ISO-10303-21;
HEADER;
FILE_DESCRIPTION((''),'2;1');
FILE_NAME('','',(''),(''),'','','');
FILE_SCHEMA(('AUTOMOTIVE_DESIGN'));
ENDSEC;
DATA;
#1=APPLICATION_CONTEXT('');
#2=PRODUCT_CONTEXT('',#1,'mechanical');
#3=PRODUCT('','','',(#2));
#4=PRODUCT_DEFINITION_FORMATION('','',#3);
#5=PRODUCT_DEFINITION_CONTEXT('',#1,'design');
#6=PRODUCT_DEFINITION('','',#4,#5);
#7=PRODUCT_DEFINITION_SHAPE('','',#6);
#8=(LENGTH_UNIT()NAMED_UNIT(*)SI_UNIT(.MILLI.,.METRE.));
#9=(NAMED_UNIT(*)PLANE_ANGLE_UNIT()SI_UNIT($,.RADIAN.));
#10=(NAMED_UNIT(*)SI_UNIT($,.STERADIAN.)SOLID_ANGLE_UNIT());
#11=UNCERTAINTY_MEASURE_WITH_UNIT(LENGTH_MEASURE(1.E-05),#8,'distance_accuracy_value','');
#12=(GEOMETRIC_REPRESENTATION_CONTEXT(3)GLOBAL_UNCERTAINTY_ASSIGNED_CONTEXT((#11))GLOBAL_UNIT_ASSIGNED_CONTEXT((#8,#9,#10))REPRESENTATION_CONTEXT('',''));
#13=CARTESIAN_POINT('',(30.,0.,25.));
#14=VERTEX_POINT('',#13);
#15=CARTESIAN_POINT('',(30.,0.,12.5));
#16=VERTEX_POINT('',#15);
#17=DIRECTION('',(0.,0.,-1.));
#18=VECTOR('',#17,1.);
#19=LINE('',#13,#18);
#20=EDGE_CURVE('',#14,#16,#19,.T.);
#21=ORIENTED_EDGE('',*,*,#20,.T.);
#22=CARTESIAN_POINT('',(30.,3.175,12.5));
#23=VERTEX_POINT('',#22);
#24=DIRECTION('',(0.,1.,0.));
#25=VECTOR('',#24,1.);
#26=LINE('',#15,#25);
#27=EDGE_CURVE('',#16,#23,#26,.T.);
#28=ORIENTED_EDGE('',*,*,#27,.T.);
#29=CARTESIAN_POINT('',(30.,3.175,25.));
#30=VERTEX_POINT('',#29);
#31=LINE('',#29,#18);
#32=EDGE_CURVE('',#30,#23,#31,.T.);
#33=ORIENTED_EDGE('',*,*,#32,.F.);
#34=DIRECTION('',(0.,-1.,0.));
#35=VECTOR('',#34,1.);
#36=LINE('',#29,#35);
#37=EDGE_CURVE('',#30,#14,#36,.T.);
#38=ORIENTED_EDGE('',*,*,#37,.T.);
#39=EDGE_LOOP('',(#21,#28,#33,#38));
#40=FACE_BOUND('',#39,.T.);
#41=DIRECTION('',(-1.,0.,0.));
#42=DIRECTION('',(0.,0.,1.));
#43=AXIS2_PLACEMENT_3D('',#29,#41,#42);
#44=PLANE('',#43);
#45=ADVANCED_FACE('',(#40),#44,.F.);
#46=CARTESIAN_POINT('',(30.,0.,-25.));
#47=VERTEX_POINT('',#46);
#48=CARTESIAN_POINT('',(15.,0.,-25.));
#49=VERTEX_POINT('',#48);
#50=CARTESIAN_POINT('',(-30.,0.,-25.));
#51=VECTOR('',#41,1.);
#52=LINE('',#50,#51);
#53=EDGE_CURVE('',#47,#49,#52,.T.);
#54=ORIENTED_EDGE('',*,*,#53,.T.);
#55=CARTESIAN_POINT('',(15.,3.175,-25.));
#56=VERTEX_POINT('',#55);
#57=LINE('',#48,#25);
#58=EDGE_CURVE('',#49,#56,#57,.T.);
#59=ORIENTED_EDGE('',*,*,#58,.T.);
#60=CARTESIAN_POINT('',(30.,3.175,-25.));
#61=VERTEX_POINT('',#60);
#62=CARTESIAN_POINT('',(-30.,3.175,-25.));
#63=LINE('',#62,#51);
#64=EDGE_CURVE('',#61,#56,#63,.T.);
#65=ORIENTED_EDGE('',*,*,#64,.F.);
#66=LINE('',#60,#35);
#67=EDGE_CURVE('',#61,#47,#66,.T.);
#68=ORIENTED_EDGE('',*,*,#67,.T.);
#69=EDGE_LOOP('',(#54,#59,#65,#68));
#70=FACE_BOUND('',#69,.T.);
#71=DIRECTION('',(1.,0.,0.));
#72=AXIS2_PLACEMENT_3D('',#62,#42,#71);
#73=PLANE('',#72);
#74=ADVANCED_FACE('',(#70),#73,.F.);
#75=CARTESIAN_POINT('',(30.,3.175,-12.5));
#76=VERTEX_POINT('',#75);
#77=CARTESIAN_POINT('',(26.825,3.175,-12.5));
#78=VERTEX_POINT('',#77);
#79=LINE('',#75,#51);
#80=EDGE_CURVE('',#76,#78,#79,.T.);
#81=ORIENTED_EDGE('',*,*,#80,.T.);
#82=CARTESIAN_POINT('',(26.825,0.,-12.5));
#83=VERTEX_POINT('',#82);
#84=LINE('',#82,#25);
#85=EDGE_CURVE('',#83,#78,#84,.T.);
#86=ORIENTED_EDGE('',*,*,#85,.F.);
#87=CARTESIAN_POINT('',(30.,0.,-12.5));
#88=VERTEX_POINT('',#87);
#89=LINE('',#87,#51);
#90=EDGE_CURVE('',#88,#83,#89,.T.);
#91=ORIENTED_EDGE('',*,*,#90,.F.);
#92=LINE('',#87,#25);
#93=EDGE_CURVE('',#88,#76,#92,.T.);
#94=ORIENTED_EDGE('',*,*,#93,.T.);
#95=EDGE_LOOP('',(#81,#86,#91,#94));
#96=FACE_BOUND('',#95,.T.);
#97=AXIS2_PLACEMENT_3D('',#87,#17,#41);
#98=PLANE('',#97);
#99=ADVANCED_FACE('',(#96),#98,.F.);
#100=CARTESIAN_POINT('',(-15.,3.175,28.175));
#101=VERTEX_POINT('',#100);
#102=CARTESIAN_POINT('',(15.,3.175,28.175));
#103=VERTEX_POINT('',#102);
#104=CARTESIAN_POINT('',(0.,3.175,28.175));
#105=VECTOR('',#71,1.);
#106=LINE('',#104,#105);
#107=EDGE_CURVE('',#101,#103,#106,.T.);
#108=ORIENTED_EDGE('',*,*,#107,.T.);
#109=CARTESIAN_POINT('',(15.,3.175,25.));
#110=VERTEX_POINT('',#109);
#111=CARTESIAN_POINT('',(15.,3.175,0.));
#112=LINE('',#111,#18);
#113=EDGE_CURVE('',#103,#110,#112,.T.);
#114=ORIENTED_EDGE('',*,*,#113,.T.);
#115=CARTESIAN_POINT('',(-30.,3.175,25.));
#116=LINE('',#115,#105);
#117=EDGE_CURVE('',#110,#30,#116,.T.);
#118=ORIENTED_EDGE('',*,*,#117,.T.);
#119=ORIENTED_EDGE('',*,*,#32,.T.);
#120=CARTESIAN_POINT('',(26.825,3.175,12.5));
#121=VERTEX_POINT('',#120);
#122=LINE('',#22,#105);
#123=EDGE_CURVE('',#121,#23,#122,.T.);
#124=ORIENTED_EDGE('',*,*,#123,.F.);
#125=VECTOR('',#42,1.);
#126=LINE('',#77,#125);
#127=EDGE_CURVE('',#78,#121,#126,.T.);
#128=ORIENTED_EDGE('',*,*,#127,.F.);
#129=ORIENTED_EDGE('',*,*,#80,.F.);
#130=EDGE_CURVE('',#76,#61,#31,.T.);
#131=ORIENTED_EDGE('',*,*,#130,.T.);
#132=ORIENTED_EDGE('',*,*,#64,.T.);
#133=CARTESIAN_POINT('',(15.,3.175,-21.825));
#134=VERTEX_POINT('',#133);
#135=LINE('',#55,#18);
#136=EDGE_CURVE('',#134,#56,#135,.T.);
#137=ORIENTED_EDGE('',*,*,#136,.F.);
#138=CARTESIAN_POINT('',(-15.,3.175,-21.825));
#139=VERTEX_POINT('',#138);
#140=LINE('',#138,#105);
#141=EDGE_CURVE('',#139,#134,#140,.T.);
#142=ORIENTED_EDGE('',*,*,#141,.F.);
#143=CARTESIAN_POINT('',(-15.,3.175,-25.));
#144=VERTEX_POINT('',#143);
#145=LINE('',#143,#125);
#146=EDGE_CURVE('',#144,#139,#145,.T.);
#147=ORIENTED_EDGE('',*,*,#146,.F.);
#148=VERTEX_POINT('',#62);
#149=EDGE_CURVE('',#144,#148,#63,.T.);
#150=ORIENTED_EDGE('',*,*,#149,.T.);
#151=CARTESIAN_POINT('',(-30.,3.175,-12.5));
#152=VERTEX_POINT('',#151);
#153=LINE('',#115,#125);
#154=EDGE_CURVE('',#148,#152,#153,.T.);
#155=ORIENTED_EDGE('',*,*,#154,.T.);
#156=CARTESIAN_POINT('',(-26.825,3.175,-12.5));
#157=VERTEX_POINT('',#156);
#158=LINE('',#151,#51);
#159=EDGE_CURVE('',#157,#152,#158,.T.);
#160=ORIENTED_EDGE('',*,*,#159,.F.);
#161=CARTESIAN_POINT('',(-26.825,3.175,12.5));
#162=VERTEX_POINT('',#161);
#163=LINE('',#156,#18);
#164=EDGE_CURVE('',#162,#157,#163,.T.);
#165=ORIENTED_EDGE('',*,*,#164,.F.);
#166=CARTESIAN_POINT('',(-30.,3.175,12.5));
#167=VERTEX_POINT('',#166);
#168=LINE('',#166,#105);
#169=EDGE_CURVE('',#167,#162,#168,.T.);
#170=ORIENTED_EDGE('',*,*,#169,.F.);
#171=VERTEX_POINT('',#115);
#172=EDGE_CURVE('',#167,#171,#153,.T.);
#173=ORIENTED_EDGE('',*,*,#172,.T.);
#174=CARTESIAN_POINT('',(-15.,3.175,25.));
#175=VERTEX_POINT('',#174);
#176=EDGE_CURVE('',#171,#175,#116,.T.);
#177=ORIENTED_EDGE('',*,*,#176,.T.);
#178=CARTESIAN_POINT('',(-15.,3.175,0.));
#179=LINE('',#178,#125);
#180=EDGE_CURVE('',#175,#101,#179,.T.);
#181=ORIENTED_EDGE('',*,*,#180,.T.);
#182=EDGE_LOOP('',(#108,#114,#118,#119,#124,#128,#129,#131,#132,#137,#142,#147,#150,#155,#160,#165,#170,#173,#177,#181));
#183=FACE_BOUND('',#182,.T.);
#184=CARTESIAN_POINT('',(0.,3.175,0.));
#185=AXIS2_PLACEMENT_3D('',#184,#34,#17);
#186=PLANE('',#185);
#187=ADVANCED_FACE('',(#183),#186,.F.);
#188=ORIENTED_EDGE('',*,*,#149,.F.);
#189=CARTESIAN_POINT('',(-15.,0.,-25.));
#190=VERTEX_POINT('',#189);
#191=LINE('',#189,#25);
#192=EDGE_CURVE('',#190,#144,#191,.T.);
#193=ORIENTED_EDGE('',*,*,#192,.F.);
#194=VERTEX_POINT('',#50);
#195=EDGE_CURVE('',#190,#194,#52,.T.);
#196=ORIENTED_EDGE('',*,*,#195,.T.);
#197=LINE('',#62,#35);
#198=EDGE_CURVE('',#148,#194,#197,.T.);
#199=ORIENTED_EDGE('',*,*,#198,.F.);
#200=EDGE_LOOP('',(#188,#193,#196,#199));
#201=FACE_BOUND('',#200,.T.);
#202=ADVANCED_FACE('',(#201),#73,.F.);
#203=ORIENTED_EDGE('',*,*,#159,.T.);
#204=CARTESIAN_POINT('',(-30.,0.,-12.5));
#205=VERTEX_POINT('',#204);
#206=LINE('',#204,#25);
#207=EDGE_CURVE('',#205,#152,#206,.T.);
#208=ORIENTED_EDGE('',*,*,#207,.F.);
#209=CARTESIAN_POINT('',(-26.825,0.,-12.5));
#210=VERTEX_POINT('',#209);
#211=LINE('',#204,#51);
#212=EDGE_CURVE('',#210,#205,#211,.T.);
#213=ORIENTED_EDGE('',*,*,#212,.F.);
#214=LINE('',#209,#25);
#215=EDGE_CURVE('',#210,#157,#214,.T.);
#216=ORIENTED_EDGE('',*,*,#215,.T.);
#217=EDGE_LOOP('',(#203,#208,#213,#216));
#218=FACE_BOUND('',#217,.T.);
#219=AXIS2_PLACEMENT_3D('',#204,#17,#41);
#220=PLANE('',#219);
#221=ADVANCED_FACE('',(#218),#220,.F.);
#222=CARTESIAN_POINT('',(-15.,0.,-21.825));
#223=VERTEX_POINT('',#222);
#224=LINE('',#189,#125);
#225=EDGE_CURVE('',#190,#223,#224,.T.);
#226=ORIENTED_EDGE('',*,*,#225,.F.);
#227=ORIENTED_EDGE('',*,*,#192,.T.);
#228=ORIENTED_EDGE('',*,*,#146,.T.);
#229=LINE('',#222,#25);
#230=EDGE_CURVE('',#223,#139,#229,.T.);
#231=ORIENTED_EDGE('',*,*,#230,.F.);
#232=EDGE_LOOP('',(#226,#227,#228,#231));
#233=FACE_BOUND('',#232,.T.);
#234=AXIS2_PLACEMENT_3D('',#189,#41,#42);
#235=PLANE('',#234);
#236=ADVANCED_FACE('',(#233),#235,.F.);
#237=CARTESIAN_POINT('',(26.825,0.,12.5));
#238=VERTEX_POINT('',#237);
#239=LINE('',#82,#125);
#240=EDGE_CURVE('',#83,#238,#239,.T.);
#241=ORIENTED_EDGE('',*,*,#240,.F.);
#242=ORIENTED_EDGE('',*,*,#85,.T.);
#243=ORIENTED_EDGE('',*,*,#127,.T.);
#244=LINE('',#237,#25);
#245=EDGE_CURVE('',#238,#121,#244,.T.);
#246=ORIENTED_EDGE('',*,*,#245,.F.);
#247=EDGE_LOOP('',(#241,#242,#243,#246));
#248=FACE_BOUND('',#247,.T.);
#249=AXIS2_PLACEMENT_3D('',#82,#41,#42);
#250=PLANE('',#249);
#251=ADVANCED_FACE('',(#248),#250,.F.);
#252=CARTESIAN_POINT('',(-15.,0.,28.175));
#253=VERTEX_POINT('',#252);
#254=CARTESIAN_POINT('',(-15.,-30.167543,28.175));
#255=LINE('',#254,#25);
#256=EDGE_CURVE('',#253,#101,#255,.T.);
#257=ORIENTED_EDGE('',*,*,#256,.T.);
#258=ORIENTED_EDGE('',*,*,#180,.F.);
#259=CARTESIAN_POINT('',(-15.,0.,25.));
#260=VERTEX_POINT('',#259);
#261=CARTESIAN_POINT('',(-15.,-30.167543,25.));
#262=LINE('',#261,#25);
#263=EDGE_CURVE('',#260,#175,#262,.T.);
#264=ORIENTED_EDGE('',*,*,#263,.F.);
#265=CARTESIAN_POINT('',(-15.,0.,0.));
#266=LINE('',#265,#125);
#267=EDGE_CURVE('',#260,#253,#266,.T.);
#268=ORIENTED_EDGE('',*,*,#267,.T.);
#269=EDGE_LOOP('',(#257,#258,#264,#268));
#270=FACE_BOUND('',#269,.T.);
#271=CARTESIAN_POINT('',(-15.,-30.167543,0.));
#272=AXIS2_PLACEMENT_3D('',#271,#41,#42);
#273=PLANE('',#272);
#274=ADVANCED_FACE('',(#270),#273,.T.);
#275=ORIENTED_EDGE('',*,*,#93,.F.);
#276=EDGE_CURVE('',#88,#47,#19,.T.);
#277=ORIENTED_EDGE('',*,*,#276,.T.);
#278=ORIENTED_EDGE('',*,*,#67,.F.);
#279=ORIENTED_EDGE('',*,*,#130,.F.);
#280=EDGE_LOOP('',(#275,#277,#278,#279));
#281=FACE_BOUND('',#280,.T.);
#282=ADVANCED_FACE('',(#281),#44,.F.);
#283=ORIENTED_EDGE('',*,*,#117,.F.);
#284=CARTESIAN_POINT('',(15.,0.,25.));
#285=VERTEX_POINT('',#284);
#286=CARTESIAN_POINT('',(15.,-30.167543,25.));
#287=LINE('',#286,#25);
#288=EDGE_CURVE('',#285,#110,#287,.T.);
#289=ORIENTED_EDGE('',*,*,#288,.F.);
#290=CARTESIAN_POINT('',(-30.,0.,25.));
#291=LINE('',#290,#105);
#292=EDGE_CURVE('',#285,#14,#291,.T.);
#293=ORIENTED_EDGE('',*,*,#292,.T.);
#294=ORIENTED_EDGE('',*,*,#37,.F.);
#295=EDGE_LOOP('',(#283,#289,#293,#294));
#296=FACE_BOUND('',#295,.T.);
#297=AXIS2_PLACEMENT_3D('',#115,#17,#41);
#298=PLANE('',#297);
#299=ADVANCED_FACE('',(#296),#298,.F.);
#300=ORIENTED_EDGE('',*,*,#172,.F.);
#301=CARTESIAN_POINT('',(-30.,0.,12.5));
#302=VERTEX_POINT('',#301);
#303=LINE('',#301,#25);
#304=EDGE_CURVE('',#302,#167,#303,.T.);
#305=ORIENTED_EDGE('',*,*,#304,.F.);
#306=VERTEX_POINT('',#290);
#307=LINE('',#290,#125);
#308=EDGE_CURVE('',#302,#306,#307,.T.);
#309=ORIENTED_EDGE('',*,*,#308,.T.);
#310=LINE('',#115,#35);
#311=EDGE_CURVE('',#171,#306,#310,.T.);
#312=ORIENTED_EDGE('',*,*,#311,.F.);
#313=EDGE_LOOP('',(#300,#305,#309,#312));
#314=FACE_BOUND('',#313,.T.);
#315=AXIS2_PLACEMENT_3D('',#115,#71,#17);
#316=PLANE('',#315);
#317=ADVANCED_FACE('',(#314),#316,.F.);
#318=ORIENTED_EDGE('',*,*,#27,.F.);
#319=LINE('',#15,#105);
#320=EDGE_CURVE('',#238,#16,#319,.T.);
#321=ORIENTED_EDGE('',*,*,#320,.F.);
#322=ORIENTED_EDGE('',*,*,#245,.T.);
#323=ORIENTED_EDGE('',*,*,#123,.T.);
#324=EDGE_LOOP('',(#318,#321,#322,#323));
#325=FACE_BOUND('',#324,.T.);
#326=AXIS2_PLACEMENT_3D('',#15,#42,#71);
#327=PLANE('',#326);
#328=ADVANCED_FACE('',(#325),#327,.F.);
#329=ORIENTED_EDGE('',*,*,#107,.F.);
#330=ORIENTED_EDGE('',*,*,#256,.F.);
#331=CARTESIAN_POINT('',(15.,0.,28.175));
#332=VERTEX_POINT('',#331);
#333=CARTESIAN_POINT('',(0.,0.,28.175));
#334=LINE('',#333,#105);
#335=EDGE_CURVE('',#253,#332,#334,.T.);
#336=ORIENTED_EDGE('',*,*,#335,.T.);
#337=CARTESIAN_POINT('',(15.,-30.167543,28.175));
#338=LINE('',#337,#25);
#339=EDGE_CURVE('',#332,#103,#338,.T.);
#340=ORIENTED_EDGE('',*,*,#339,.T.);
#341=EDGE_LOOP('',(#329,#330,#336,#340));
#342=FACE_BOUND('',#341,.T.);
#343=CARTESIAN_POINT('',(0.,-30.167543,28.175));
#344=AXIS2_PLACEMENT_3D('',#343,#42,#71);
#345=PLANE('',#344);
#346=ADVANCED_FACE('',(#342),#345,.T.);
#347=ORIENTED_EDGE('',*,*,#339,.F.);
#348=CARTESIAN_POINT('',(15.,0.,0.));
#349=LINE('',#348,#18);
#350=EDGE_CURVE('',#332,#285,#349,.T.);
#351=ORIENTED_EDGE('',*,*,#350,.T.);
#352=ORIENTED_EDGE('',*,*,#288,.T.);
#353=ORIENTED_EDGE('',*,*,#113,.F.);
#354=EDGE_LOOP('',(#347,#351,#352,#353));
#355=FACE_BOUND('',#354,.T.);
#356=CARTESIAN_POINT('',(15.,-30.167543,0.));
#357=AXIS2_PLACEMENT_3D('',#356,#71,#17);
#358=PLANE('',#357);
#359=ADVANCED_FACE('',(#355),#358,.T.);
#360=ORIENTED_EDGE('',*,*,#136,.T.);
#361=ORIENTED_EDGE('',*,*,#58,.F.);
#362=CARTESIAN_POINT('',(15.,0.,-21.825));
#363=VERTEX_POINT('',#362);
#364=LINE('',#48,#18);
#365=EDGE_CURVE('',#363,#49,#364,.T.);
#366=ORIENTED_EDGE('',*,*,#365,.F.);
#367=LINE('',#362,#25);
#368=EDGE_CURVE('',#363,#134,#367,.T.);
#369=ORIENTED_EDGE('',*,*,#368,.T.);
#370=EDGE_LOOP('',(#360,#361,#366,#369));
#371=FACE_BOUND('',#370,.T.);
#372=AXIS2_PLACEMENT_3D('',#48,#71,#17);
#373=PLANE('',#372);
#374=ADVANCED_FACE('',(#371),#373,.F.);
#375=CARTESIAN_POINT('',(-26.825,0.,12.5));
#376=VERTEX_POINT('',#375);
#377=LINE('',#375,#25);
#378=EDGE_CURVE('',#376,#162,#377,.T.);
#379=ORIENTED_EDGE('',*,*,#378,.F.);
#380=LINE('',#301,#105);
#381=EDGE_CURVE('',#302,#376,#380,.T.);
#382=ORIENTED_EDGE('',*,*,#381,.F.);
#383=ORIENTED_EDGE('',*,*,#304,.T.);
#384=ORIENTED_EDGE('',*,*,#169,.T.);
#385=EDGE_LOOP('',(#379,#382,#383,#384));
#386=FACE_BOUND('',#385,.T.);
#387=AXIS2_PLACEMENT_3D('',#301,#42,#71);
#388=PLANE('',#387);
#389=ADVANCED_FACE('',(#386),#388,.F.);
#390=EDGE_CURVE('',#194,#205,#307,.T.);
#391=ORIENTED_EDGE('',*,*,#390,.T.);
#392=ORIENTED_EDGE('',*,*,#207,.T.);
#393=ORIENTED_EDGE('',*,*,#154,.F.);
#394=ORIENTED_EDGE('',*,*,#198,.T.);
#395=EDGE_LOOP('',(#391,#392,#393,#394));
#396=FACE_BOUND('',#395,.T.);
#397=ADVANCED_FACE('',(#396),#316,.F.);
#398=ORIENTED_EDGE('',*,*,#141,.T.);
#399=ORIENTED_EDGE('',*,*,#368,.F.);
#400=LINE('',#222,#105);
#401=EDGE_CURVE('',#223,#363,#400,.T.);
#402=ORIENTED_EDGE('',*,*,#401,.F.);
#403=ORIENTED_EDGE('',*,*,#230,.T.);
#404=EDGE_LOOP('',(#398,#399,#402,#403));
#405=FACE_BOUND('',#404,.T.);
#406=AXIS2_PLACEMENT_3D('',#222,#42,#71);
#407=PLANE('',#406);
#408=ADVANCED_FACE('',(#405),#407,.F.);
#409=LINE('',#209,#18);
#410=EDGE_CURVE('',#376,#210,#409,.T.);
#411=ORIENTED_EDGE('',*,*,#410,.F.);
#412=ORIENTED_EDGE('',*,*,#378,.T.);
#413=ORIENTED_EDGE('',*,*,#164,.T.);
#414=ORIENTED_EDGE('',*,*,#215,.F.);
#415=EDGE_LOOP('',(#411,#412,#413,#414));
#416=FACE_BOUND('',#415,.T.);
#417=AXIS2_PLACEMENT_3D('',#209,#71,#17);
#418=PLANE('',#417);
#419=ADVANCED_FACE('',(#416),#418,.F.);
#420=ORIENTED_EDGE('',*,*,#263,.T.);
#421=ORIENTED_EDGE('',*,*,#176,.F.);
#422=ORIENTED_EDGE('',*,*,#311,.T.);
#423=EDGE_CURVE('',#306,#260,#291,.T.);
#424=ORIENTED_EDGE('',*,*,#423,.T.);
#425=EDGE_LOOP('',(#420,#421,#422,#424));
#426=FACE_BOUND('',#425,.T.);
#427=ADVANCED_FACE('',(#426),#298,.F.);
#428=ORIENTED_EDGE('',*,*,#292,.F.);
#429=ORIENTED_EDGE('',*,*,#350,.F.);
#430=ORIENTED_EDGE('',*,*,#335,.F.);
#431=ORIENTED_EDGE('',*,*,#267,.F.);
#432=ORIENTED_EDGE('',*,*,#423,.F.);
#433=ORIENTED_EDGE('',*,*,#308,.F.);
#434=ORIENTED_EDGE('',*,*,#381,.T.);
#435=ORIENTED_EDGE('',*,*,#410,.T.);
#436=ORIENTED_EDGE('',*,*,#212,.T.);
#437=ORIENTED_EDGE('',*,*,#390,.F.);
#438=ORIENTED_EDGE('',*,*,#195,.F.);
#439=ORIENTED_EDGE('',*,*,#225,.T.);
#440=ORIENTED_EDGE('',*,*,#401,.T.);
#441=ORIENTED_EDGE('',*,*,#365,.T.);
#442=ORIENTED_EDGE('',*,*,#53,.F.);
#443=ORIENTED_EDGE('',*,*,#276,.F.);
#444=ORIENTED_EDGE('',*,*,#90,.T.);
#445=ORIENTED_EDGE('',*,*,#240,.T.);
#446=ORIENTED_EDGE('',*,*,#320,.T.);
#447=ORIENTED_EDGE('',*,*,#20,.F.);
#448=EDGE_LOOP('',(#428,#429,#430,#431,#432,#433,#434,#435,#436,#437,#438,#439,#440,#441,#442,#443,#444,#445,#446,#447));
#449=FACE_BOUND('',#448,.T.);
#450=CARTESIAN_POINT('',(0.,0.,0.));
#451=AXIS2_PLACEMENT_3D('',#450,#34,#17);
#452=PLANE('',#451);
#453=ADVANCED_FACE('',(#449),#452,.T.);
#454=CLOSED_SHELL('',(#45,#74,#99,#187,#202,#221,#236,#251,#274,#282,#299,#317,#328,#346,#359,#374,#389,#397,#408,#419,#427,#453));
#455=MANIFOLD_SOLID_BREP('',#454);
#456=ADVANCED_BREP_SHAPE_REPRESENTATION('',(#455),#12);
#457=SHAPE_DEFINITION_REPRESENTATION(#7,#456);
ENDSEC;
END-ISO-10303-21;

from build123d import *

# Parameters (mm, degrees)
SKETCH1_W           = 60
SKETCH1_H           = 50
BOSS_EXTRUDE1_DEPTH = 3.175
SKETCH2_W           = 30
SKETCH2_H           = 3.175
CUT_EXTRUDE1_DEPTH  = 40.180104964
SKETCH3_W           = 30
SKETCH3_H           = 3.175
BOSS_EXTRUDE2_DEPTH = 3.175
SKETCH5_W           = 3.175
SKETCH5_H           = 25
CUT_EXTRUDE2_DEPTH  = 3.175


with BuildPart() as part:
    # Sketch1 → Boss-Extrude1 (new body)
    with BuildSketch(Plane(origin=(0, 0, 0), x_dir=(1, 0, 0), z_dir=(0, 1, 0))):
        Rectangle(SKETCH1_W, SKETCH1_H)
    extrude(amount=BOSS_EXTRUDE1_DEPTH)

    # Sketch2 → Cut-Extrude1 (cut, through all)
    with BuildSketch(Plane(origin=(0, 3.175, 0), x_dir=(1, 0, 0), z_dir=(0, 1, 0))):
        with Locations((0, 23.4125)):
            Rectangle(SKETCH2_W, SKETCH2_H)
    extrude(amount=-CUT_EXTRUDE1_DEPTH, mode=Mode.SUBTRACT)

    # Sketch3 → Boss-Extrude2 (add)
    with BuildSketch(Plane(origin=(0, 3.175, 0), x_dir=(1, 0, 0), z_dir=(0, 1, 0))):
        with Locations((0, -26.5875)):
            Rectangle(SKETCH3_W, SKETCH3_H)
    extrude(amount=-BOSS_EXTRUDE2_DEPTH)

    # Sketch5 → Cut-Extrude2 (cut)
    with BuildSketch(Plane(origin=(0, 3.175, 0), x_dir=(1, 0, 0), z_dir=(0, 1, 0))):
        with Locations((-28.4125, 0)):
            Rectangle(SKETCH5_W, SKETCH5_H)
        with Locations((28.4125, 0)):
            Rectangle(SKETCH5_W, SKETCH5_H)
    extrude(amount=-CUT_EXTRUDE2_DEPTH, mode=Mode.SUBTRACT)


solid = part.part
